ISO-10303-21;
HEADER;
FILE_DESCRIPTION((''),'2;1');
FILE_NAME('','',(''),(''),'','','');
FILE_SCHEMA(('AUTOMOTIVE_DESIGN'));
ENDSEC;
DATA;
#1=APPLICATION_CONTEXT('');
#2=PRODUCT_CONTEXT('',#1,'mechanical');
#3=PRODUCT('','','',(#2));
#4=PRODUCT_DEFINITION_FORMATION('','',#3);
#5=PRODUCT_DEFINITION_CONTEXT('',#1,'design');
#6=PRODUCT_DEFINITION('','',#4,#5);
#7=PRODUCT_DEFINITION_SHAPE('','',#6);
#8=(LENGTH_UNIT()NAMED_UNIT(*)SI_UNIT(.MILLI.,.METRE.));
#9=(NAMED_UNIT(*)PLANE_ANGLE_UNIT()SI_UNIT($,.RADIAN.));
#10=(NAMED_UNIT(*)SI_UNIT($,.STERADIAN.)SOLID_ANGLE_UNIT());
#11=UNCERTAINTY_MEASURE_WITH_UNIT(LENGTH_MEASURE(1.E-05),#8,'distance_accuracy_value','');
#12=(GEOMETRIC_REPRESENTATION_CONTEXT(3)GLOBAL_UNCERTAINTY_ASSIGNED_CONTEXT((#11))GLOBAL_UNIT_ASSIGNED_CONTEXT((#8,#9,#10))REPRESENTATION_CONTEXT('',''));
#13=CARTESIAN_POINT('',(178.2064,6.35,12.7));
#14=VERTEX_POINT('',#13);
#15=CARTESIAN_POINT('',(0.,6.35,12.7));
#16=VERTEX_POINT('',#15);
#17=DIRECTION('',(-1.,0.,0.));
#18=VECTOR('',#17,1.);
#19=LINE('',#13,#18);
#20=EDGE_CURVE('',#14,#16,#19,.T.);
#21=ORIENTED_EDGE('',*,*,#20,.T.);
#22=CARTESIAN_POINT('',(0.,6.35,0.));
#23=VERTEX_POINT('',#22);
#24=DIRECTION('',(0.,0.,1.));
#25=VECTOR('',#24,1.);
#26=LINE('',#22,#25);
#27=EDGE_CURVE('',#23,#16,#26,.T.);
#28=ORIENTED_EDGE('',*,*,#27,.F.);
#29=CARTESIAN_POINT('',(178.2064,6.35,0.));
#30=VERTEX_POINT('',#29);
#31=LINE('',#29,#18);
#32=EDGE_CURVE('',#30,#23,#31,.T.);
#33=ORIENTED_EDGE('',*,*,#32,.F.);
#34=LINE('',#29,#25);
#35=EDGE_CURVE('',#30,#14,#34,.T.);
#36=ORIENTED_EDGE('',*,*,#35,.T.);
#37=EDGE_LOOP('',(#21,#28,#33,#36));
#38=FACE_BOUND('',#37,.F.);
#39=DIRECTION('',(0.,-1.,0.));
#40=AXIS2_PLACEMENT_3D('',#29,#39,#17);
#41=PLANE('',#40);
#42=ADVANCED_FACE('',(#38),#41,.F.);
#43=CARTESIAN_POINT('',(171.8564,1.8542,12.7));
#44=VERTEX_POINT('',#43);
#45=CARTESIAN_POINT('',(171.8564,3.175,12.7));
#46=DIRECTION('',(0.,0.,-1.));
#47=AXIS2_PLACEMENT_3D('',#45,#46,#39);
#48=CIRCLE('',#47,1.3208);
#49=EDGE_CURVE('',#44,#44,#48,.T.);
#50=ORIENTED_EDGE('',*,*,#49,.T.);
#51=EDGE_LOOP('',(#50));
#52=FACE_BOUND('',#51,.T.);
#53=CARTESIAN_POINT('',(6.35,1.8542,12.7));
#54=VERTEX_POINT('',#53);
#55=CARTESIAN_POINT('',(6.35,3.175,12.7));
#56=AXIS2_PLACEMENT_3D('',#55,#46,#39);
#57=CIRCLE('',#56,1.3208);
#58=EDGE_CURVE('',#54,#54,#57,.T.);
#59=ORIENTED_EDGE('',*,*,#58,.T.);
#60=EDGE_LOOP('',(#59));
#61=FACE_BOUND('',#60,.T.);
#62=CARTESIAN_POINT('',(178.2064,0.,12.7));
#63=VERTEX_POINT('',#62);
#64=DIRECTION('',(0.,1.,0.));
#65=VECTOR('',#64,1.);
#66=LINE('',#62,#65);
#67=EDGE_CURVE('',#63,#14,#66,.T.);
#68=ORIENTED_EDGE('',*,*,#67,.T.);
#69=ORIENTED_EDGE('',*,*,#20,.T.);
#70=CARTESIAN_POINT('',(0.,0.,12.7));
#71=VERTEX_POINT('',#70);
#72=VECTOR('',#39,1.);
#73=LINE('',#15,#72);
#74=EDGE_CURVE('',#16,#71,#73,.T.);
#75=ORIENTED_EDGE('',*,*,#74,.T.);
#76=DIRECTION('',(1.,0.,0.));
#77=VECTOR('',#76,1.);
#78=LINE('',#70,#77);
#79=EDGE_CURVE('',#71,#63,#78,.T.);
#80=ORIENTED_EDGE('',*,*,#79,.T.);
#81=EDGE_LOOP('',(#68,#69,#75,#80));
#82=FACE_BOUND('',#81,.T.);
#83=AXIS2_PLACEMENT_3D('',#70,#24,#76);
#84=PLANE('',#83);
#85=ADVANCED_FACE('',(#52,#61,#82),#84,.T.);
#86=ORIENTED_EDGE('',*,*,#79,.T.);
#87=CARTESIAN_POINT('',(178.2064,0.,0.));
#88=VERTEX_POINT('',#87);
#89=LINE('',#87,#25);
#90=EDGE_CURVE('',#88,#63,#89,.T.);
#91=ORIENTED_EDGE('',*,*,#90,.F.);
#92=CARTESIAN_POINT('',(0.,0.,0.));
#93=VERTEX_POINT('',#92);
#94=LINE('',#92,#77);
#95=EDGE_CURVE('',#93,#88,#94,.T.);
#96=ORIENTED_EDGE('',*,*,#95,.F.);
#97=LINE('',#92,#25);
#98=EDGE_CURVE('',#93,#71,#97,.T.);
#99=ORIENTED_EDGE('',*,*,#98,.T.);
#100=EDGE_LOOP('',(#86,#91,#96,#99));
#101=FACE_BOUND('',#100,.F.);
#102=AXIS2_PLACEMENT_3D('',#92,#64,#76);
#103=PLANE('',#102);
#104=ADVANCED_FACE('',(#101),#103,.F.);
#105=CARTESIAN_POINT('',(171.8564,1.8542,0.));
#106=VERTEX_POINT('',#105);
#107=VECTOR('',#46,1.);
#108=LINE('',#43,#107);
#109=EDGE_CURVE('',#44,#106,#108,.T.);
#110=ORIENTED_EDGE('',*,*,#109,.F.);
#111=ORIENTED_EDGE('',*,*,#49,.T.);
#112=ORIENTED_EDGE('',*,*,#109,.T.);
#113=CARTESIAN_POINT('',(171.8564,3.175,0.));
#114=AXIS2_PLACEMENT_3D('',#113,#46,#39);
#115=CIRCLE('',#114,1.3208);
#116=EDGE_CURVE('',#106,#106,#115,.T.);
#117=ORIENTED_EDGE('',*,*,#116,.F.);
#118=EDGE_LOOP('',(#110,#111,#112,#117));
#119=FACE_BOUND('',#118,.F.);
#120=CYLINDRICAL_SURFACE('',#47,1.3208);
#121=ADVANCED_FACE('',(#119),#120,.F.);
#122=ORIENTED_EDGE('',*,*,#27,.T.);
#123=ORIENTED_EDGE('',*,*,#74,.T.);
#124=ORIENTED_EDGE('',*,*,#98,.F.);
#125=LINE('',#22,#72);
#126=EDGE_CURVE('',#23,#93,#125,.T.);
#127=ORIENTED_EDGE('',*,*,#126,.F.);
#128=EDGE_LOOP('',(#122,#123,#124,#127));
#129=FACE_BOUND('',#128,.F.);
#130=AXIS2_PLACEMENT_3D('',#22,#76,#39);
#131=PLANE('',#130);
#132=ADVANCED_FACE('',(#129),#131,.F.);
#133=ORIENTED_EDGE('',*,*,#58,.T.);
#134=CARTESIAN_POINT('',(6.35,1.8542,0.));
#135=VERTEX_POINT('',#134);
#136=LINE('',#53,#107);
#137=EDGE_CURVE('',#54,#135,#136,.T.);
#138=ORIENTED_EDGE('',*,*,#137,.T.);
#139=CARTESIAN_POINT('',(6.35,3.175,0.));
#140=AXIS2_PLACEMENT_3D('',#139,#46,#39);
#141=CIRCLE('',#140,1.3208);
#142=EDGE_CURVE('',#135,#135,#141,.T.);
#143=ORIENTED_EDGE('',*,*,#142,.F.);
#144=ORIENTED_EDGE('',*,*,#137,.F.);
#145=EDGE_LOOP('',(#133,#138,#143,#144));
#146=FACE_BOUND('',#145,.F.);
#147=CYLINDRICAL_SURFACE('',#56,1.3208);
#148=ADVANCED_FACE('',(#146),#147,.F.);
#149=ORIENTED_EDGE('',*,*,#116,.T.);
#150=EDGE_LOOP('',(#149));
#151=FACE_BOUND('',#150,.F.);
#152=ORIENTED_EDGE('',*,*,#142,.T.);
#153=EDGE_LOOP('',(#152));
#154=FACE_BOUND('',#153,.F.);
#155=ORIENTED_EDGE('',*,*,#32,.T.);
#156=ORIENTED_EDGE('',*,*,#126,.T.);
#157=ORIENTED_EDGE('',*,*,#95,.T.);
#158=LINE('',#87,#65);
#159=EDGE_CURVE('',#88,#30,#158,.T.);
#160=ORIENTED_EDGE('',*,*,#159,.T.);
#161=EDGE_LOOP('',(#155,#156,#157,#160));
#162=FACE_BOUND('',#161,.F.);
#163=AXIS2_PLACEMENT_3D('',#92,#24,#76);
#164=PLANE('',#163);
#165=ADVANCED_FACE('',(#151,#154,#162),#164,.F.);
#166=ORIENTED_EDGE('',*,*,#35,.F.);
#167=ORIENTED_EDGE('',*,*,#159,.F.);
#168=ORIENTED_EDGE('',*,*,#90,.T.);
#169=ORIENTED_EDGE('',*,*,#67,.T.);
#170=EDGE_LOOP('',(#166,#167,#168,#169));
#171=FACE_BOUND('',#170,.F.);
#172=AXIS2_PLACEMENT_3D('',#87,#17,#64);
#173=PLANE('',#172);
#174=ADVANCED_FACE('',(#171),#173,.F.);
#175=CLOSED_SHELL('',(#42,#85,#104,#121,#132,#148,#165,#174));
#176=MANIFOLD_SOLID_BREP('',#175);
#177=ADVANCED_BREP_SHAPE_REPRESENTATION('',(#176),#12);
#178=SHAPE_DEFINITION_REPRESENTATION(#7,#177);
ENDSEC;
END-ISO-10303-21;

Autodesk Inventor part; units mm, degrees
ref_plane "YZ Plane" through (0, 0, 0) normal (1, 0, 0) x (0, 1, 0)
ref_plane "XZ Plane" through (0, 0, 0) normal (0, 1, 0) x (-1, 0, 0)
ref_plane "XY Plane" through (0, 0, 0) normal (0, 0, 1) x (1, 0, 0)
sketch "Sketch1" plane through (0, 0, 0) normal (0, 0, 1) x (1, 0, 0)
  line L0 (0, 0) -> (178.2064, 0)
  line L1 (178.2064, 0) -> (178.2064, 6.35)
  line L2 (178.2064, 6.35) -> (0, 6.35)
  line L3 (0, 6.35) -> (0, 0)
  dimension "d0" = 178.2064
  dimension "d1" = 6.35
extrude "Extrusion1" add sketch "Sketch1" along normal blind 12.7
sketch "Sketch2" plane through (0, 0, 12.7) normal (0, 0, 1) x (1, 0, 0)
  line L0 (0, 6.35) -> (0, 0) projected
  line L1 (0, 3.175) -> (6.35, 3.175)
  line L2 (178.2064, 0) -> (178.2064, 6.35) projected
  line L3 (178.2064, 3.175) -> (171.8564, 3.175)
  circle A0 centre (171.8564, 3.175) radius 1.778
  circle A1 centre (6.35, 3.175) radius 1.778
  dimension "d4" = 6.35
  dimension "d5" = 6.35
  dimension "d6" = 3.556
  dimension "d7" = 3.556
hole "Hole1" at (6.35, 3.175, 12.7) at (171.8564, 3.175, 12.7) direction (0, 0, -1) diameter 2.6416 depth 12.7 tip angle 118 thread size "6-32 UNC" class "2B" standard "ANSI Unified Screw Threads"
properties part number "GlyphPlateBackSide"
